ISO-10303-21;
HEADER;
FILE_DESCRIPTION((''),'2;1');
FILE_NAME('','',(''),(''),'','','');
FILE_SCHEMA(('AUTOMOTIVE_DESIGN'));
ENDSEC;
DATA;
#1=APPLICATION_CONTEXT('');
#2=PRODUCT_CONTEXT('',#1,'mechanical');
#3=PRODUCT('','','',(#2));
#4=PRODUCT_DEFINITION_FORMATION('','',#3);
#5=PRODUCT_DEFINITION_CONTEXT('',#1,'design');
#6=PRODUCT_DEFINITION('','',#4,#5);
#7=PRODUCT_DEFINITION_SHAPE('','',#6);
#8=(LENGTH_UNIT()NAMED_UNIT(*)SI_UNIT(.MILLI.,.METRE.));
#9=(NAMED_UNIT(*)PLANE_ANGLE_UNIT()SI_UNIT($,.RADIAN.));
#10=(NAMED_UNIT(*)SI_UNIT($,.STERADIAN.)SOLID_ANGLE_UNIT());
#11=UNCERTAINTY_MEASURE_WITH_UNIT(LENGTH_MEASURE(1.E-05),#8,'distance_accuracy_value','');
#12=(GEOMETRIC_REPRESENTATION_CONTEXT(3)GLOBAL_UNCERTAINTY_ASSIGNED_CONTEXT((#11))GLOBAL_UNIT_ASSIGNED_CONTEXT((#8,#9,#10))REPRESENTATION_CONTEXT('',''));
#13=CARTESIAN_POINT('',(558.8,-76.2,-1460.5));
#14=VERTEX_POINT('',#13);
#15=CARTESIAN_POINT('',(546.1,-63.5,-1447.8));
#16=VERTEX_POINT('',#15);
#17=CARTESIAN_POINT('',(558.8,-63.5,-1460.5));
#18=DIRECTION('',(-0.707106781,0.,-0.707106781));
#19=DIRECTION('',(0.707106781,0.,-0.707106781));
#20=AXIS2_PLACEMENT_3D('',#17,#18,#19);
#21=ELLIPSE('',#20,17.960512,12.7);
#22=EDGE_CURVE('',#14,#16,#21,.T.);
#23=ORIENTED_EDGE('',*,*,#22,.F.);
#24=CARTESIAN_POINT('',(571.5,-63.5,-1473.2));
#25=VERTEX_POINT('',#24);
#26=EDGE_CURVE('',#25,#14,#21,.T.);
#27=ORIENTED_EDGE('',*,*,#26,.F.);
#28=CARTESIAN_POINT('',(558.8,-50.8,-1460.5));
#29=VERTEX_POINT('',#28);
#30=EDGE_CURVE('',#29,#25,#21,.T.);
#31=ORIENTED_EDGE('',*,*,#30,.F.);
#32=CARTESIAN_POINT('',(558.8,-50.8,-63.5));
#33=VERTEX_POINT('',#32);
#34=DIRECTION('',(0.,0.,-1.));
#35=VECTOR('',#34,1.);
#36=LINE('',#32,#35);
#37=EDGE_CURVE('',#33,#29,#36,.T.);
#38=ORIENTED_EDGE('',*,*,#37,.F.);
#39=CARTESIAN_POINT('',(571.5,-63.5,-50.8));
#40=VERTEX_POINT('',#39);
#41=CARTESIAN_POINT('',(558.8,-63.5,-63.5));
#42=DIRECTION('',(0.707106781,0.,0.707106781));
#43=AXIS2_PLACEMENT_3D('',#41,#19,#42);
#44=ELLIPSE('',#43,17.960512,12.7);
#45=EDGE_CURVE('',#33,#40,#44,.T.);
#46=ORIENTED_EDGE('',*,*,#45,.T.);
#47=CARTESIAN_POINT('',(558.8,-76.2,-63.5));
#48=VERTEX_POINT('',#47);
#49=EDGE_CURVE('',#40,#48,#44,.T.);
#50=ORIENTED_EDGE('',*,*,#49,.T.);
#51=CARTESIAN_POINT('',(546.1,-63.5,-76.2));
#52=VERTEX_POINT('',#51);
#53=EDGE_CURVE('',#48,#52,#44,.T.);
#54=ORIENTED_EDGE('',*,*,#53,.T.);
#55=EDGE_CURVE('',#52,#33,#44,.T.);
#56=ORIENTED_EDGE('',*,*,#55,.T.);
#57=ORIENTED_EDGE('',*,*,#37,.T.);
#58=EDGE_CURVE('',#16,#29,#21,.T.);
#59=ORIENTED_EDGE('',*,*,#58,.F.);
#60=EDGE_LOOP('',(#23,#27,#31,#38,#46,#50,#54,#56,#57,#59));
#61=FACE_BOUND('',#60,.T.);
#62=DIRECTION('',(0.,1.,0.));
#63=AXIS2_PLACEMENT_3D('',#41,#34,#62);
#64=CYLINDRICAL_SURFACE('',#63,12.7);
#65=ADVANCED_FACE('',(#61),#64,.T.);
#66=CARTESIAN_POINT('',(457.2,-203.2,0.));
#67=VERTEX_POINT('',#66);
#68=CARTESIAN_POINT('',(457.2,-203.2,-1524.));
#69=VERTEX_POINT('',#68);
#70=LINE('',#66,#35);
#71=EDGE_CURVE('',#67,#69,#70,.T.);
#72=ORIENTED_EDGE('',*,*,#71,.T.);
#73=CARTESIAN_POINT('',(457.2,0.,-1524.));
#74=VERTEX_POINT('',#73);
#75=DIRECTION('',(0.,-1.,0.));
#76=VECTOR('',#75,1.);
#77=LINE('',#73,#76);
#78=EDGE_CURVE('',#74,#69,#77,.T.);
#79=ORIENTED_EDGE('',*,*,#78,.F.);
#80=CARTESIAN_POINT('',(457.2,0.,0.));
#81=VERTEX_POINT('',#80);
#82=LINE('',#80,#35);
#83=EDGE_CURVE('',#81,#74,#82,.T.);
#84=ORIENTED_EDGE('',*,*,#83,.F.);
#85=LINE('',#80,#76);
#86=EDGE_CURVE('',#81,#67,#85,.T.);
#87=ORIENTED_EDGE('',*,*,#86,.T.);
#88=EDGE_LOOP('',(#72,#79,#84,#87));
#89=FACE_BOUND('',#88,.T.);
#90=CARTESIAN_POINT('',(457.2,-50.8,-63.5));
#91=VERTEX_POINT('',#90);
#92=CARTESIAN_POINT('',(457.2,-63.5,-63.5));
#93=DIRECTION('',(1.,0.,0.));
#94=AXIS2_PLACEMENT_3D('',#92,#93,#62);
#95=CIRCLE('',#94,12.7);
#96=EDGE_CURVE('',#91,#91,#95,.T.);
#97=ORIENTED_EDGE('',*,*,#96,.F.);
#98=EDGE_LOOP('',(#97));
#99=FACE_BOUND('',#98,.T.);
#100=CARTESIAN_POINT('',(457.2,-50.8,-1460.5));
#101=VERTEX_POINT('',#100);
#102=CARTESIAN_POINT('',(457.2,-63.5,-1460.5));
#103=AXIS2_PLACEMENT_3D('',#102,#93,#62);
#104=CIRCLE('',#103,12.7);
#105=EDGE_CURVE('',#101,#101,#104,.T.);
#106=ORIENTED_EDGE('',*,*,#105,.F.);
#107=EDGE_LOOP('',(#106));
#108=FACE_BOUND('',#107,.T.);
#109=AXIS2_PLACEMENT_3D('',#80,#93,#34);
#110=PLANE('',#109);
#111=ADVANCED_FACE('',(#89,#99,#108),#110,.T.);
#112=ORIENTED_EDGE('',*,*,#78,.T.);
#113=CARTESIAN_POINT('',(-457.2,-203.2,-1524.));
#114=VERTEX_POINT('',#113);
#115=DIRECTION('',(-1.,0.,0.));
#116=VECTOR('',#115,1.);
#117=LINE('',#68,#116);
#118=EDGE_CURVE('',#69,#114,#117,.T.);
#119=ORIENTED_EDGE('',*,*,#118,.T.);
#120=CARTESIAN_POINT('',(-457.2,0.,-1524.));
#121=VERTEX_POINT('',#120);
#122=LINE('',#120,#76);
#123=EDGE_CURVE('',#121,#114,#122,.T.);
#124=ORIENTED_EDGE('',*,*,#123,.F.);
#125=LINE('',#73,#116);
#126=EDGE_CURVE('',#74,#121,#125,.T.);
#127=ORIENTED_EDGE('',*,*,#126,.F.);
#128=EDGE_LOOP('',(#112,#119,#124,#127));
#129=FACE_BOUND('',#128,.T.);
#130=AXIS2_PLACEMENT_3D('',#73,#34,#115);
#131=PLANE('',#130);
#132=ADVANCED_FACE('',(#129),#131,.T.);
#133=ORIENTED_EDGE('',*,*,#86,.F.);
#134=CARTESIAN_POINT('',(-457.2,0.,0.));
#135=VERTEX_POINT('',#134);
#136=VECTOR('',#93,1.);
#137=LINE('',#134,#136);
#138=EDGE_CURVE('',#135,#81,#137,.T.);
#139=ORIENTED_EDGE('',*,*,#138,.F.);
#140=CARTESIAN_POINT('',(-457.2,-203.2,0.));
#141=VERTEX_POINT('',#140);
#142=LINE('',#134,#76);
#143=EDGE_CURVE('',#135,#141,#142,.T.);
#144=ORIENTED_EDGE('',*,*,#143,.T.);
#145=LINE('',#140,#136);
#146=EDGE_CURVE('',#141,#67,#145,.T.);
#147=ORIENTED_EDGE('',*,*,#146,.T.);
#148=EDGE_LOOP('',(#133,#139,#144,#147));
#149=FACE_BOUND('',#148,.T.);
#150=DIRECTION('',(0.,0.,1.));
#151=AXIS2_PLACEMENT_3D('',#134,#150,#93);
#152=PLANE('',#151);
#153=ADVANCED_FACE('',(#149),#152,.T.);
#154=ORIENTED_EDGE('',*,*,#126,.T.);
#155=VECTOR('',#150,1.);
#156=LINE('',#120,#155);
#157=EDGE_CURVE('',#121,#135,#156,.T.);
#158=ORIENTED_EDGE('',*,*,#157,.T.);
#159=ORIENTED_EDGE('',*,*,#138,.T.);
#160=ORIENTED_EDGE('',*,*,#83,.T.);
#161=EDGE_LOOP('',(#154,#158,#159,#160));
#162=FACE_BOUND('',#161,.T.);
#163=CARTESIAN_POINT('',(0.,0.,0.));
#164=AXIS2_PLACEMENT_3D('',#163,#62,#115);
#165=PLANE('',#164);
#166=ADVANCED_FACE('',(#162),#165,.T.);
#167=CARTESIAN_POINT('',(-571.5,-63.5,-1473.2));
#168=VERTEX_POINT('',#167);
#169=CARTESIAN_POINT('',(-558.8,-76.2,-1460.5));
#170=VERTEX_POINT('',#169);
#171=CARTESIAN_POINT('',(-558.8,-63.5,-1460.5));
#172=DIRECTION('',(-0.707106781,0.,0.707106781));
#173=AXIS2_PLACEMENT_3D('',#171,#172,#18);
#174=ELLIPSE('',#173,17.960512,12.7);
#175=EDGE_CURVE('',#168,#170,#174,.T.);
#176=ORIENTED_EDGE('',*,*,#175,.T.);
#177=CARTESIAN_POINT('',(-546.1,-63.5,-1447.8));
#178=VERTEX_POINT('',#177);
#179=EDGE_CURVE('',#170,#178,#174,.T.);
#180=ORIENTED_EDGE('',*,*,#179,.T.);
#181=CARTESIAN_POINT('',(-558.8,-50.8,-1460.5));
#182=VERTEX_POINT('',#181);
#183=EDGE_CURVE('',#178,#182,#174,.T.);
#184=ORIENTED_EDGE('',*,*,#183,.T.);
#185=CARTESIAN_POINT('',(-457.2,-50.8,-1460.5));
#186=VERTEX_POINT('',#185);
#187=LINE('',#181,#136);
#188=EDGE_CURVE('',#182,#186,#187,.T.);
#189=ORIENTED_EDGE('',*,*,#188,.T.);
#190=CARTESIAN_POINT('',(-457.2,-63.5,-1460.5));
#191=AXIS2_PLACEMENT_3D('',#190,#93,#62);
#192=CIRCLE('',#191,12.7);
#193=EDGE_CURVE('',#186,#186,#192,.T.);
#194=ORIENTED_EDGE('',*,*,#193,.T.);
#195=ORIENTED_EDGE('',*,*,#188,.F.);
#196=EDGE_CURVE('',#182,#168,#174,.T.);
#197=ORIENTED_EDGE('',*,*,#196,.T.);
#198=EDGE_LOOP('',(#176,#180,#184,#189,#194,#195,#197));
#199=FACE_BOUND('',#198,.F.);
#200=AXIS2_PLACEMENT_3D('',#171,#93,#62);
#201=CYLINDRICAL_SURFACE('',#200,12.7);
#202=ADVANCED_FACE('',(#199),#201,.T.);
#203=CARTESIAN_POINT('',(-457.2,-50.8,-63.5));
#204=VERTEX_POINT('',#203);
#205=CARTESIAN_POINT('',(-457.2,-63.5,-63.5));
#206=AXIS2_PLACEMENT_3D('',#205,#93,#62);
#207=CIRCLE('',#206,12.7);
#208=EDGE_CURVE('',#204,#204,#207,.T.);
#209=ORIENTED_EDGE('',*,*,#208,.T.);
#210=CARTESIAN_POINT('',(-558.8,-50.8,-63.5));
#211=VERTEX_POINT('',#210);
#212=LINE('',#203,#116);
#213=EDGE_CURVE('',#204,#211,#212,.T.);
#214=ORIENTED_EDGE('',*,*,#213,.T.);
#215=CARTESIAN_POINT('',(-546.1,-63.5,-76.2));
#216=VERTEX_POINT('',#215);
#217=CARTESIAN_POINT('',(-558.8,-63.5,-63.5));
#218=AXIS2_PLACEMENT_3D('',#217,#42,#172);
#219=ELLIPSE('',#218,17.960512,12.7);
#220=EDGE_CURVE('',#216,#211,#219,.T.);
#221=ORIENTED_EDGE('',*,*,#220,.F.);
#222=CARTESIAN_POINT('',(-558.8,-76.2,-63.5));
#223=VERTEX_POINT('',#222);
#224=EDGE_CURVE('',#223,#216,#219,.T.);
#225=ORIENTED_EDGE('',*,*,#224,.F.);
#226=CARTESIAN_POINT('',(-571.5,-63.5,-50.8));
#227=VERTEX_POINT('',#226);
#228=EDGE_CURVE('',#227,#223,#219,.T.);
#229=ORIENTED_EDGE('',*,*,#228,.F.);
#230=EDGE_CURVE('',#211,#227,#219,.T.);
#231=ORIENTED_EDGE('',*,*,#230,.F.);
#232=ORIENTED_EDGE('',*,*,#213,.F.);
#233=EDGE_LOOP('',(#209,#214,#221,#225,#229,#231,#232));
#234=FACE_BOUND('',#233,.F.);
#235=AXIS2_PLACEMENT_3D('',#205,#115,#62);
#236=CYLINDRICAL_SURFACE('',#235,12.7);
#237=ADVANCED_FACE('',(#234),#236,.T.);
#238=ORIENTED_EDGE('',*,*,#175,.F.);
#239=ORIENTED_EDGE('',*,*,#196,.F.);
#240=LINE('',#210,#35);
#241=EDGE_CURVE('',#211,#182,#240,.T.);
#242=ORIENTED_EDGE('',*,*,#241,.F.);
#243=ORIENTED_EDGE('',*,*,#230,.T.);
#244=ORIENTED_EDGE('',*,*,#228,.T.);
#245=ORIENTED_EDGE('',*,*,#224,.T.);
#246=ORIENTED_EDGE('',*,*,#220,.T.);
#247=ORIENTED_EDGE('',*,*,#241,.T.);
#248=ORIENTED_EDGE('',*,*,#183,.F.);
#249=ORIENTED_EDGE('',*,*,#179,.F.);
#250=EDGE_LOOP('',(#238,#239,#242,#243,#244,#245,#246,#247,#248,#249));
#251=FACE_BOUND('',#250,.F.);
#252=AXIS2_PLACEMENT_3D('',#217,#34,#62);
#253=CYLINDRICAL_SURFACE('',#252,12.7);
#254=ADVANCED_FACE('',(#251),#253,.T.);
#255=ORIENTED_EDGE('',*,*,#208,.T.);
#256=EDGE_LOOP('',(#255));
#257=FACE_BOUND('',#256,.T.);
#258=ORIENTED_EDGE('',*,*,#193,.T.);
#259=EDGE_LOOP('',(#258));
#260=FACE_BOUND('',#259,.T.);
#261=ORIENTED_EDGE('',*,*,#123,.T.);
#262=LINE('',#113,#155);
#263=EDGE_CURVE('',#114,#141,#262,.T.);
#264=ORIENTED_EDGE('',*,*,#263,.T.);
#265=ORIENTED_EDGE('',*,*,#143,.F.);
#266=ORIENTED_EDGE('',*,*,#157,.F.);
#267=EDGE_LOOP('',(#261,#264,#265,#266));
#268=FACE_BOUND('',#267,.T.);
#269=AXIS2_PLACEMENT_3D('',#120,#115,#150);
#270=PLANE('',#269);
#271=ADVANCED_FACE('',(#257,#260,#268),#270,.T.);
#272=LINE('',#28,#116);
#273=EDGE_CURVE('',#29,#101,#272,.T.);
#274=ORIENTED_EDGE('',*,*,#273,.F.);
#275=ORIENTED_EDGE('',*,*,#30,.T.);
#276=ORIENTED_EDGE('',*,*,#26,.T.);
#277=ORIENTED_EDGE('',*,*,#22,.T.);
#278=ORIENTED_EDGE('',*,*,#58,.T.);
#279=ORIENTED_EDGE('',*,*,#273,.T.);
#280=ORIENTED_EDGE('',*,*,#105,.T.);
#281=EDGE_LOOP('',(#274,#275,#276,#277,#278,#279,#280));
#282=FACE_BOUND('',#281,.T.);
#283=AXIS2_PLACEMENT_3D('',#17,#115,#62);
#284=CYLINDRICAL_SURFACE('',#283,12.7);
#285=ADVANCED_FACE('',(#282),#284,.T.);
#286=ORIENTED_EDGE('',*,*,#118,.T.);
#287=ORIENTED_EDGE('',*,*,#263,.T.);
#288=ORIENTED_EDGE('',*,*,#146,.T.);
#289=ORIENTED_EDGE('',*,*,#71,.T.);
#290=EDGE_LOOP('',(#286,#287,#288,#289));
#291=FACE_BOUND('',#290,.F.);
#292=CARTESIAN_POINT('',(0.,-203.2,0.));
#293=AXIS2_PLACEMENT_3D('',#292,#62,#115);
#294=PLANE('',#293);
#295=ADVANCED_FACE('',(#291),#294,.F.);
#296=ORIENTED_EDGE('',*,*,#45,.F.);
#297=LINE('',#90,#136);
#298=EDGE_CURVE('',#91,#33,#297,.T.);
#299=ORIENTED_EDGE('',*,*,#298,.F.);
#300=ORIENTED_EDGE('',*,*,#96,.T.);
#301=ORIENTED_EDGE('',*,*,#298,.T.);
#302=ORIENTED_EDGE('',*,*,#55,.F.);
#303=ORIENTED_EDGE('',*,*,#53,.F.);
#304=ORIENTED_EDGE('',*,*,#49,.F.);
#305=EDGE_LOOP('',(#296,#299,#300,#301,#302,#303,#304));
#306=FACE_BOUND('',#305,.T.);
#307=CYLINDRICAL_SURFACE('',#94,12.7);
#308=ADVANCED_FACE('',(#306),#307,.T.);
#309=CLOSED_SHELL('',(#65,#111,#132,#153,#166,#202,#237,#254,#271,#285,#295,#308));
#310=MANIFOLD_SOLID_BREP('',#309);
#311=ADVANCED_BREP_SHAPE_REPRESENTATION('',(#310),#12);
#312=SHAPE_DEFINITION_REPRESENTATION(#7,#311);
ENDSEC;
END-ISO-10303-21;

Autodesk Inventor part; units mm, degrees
ref_plane "PLANE IN" through (0, 0, 0) normal (0, 0, 1) x (1, 0, 0)
ref_plane "PLANE OUT" through (0, 0, -1524) normal (0, 0, 1) x (1, 0, 0)
ref_plane "PLANE CTR" through (0, 0, 0) normal (1, 0, 0) x (0, 1, 0)
ref_plane "PLANE RH" through (457.2, 0, 0) normal (1, 0, 0) x (0, 1, 0)
ref_plane "PLANE LH" through (-457.2, 0, 0) normal (1, 0, 0) x (0, 1, 0)
ref_plane "PLANE TOP" through (0, 0, 0) normal (0, 1, 0) x (-1, 0, 0)
ref_plane "PLANE BOT" through (0, -203.2, 0) normal (0, 1, 0) x (-1, 0, 0)
ref_plane "PLANE HANDLE RH" through (558.8, 0, 0) normal (1, 0, 0) x (0, 1, 0)
ref_plane "PLANE HANDLE LH" through (-558.8, 0, 0) normal (1, 0, 0) x (0, 1, 0)
ref_plane "PLANE HANDLE IN" through (0, 0, -63.5) normal (0, 0, 1) x (1, 0, 0)
ref_plane "PLANE HANDLE OUT" through (0, 0, -1460.5) normal (0, 0, 1) x (1, 0, 0)
ref_plane "PLANE HANDLE TOP" through (0, -63.5, 0) normal (0, 1, 0) x (-1, 0, 0)
sketch "SKETCH BODY" plane through (0, 0, 0) normal (0, 1, 0) x (-1, 0, 0)
  line L0 (457.2, 0) -> (-457.2, 0)
  line L1 (-457.2, 0) -> (-457.2, -1524)
  line L2 (-457.2, -1524) -> (457.2, -1524)
  line L3 (457.2, -1524) -> (457.2, 0)
  line L4 (-640.08, 0) -> (640.08, 0) projected
  line L5 (-640.08, -1524) -> (640.08, -1524) projected
  line L6 (-457.2, -3657.6) -> (-457.2, 609.6) projected
  line L7 (457.2, -3657.6) -> (457.2, 609.6) projected
extrude "EXT BODY" add sketch "SKETCH BODY" against normal blind 203.2
sketch "SKETCH HANDLE DIA" plane through (457.2, 0, 0) normal (1, 0, 0) x (0, 1, 0)
  circle A0 centre (-63.5, -63.5) radius 12.7
  line L0 (-63.5, -45.72) -> (-63.5, -81.28) projected
  line L1 (-81.28, -63.5) -> (-45.72, -63.5) projected
  dimension "d14" = 25.4
sketch "SKETCH HANDLE PATH" plane through (0, -63.5, 0) normal (0, 1, 0) x (-1, 0, 0)
  line L0 (-558.8, -3568.7) -> (-558.8, 520.7) projected
  line L1 (-579.12, -63.5) -> (-436.88, -63.5) projected
  line L2 (-579.12, -1460.5) -> (-436.88, -1460.5) projected
  line L3 (-457.2, -63.5) -> (-558.8, -63.5)
  line L4 (-558.8, -63.5) -> (-558.8, -1460.5)
  line L5 (-558.8, -1460.5) -> (-457.2, -1460.5)
  line L6 (-457.2, -1460.5) -> (-457.2, -63.5) construction
  line L7 (-457.2, -3568.7) -> (-457.2, 520.7) projected
sweep "SWP HANDLE" add profiles "SKETCH HANDLE DIA" path "SKETCH HANDLE PATH" path curves L3 L4 L5
mirror "MIR HANDLE" about plane through (0, 0, 0) normal (1, 0, 0)
equation "\"d12\" = HEIGHT"
equation "\"d1\" = -LENGTH"
equation "\"d2\" = 0.5 * WIDTH"
equation "\"d3\" = -0.5 * WIDTH"
equation "\"d6\" = -HEIGHT"
equation "\"d7\" = HANDLE_OFFSET_CTR"
equation "\"d8\" = -HANDLE_OFFSET_CTR"
equation "\"d9\" = -HANDLE_OFFSET_END"
equation "\"d10\" = -LENGTH + HANDLE_OFFSET_END"
equation "\"d11\" = -HANDLE_OFFSET_TOP"
equation "\"LENGTH\" = 1524"
equation "\"WIDTH\" = 914.4"
equation "\"HEIGHT\" = 203.2"
equation "\"HANDLE_GAP\" = 101.6"
equation "\"HANDLE_OFFSET_CTR\" = 0.5 * WIDTH + HANDLE_GAP"
equation "\"HANDLE_OFFSET_END\" = 63.5"
equation "\"HANDLE_OFFSET_TOP\" = 63.5"
properties part number "ATQ-36-60-B"
